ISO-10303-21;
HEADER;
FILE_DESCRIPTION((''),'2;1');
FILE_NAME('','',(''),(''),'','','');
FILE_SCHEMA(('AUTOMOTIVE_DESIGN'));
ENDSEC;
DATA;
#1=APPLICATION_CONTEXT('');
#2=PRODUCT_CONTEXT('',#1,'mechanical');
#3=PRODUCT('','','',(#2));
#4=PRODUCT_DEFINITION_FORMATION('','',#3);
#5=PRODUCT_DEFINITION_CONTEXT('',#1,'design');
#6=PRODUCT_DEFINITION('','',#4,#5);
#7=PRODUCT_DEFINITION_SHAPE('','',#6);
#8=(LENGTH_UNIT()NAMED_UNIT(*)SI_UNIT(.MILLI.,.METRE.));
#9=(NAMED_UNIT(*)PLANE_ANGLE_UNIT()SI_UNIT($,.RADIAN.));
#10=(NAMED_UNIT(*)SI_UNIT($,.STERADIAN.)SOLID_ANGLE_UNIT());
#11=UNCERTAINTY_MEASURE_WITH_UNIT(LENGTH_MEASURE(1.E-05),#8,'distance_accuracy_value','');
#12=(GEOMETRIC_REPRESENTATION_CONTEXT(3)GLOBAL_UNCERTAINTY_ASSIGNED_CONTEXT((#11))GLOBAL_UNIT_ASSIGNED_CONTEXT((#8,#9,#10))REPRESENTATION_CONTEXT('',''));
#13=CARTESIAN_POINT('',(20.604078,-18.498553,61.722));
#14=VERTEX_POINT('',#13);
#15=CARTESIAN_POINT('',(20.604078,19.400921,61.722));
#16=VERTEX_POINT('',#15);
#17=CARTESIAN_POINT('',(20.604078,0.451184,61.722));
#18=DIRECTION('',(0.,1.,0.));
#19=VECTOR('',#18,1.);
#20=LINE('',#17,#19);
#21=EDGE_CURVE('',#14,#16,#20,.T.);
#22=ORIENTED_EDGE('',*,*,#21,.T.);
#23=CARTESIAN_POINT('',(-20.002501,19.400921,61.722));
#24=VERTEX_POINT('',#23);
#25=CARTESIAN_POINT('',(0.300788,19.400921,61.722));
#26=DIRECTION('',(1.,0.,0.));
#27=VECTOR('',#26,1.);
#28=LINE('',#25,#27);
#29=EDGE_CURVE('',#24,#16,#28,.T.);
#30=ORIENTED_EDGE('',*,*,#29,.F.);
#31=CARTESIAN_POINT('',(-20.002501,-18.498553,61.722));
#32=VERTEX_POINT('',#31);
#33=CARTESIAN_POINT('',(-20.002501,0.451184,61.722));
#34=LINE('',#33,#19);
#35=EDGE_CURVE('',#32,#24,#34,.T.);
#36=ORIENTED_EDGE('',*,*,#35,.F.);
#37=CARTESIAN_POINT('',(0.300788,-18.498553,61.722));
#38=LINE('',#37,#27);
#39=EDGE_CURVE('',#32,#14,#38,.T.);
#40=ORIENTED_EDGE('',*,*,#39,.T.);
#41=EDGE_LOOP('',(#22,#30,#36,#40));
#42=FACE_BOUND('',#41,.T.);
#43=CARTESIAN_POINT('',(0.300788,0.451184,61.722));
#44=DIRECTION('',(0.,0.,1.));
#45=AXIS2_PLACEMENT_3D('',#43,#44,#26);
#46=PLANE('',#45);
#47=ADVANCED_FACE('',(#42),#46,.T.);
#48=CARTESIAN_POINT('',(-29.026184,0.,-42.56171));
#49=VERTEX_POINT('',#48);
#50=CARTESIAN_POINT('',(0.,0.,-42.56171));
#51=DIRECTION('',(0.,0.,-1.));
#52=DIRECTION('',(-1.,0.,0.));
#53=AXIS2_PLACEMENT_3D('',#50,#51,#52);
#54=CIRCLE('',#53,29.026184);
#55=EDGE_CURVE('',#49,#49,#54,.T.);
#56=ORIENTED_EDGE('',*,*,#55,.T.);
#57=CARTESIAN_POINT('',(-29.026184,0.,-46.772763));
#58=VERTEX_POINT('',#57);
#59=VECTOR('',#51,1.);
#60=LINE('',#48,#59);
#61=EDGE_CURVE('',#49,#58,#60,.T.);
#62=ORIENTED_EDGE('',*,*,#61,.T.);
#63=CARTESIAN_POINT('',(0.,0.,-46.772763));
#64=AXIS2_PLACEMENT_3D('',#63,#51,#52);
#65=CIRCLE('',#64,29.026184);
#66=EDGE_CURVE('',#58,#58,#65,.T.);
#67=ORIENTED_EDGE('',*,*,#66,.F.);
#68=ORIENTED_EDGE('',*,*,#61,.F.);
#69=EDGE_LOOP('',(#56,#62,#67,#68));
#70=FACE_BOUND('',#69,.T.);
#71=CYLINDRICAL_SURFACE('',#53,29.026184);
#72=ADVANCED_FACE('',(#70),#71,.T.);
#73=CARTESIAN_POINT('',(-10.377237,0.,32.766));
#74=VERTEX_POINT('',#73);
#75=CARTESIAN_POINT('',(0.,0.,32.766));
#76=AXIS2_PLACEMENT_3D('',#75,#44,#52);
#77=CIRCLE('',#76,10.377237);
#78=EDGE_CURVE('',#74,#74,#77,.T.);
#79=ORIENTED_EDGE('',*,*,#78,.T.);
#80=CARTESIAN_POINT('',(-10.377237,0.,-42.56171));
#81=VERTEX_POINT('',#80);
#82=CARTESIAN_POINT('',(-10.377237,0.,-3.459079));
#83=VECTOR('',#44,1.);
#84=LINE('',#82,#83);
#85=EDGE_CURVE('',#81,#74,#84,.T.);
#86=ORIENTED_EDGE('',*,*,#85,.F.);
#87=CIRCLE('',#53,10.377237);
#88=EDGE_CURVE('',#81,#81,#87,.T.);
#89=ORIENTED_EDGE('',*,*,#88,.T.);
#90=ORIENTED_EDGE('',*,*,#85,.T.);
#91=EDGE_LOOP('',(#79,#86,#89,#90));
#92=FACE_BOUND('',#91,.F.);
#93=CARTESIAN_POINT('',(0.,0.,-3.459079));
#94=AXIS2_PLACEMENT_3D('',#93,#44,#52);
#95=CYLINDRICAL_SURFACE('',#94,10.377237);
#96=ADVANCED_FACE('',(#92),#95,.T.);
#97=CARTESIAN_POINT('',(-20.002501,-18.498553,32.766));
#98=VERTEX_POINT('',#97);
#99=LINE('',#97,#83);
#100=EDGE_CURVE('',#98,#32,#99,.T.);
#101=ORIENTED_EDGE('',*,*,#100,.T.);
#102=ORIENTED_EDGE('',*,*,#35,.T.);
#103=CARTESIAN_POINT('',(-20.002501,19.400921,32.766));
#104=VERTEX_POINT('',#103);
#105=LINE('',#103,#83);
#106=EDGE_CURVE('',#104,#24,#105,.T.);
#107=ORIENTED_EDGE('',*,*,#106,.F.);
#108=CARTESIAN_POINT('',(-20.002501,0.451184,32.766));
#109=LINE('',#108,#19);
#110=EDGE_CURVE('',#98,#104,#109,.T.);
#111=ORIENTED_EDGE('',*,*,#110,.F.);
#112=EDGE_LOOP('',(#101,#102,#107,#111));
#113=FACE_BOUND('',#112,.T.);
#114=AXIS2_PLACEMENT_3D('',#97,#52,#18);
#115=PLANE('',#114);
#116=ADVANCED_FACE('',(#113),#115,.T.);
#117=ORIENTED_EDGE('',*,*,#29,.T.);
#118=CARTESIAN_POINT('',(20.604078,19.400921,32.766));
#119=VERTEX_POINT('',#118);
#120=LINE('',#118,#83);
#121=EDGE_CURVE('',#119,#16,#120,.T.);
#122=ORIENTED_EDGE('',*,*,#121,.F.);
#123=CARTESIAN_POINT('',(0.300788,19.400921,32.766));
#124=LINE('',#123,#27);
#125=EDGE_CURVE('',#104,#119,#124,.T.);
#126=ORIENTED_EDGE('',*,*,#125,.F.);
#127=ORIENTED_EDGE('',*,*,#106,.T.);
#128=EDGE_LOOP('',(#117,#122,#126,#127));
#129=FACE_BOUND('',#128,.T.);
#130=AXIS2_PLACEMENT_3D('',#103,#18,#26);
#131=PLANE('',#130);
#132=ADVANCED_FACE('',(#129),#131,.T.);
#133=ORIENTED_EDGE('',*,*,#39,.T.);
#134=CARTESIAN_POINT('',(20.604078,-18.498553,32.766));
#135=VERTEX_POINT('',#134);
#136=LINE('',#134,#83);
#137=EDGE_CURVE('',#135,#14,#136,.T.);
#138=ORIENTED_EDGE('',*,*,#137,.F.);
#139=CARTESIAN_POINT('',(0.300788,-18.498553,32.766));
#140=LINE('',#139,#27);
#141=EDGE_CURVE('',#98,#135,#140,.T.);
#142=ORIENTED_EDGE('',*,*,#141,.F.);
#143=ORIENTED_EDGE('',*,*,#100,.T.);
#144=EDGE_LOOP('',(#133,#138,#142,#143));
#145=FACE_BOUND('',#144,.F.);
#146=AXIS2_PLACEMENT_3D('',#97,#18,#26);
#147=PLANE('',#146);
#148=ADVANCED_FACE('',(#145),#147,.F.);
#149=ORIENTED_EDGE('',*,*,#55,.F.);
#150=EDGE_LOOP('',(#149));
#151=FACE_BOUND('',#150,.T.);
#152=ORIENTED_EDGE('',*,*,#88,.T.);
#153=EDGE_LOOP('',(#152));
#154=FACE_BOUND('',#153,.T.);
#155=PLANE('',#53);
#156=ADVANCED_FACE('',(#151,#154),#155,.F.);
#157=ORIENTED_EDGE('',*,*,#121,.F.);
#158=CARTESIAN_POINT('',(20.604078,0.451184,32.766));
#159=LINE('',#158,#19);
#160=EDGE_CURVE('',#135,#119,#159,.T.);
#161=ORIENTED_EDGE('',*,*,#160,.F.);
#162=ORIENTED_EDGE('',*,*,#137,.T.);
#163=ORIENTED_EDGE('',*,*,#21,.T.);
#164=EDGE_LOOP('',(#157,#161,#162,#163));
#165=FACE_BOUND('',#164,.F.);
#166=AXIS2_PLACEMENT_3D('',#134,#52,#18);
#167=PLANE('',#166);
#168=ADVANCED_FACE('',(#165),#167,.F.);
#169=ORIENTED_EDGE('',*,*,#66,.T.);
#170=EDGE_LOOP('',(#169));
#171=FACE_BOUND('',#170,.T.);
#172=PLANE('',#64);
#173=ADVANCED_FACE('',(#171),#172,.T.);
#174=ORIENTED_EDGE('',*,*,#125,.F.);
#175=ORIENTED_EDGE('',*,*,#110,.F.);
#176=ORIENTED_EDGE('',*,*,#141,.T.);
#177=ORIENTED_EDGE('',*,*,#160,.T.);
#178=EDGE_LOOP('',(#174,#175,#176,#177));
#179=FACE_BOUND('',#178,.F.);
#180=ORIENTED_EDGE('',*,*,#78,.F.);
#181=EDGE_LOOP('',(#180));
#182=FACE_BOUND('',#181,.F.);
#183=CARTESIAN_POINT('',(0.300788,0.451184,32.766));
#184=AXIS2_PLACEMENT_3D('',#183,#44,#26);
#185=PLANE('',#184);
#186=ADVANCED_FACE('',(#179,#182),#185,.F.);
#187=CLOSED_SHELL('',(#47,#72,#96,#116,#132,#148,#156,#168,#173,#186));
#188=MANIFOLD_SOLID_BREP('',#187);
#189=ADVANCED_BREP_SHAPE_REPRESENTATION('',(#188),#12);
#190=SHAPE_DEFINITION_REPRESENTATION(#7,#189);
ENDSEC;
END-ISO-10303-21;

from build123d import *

# Parameters (mm, degrees)
F0_W     = 10.3772366419
F0_H     = 78.2052613795
F3_START = 32.766
F2_W     = 40.606578812
F2_H     = 37.899473682
F3_DEPTH = 28.956


with BuildPart() as f1:
    # F0 (on Front) → F1 (revolve)
    with BuildSketch(Plane.XZ):
        with Locations((-5.188618321, -3.4590791911)):
            Rectangle(F0_W, F0_H)
        Polygon((-29.026184231, -46.772763133), (0, -46.772763133), (0, -42.5617098808), (-10.3772366419, -42.5617098808), (-29.026184231, -42.5617098808), align=None)
    revolve(axis=Axis((0, 0, -3.4590791911), (0, 0, -1)))

    # F2 (on Top) → F3 (join)
    with BuildSketch(Plane.XY.offset(F3_START)):
        with Locations((0.3007883206, 0.4511838779)):
            Rectangle(F2_W, F2_H)
    extrude(amount=F3_DEPTH)


solid = f1.part
